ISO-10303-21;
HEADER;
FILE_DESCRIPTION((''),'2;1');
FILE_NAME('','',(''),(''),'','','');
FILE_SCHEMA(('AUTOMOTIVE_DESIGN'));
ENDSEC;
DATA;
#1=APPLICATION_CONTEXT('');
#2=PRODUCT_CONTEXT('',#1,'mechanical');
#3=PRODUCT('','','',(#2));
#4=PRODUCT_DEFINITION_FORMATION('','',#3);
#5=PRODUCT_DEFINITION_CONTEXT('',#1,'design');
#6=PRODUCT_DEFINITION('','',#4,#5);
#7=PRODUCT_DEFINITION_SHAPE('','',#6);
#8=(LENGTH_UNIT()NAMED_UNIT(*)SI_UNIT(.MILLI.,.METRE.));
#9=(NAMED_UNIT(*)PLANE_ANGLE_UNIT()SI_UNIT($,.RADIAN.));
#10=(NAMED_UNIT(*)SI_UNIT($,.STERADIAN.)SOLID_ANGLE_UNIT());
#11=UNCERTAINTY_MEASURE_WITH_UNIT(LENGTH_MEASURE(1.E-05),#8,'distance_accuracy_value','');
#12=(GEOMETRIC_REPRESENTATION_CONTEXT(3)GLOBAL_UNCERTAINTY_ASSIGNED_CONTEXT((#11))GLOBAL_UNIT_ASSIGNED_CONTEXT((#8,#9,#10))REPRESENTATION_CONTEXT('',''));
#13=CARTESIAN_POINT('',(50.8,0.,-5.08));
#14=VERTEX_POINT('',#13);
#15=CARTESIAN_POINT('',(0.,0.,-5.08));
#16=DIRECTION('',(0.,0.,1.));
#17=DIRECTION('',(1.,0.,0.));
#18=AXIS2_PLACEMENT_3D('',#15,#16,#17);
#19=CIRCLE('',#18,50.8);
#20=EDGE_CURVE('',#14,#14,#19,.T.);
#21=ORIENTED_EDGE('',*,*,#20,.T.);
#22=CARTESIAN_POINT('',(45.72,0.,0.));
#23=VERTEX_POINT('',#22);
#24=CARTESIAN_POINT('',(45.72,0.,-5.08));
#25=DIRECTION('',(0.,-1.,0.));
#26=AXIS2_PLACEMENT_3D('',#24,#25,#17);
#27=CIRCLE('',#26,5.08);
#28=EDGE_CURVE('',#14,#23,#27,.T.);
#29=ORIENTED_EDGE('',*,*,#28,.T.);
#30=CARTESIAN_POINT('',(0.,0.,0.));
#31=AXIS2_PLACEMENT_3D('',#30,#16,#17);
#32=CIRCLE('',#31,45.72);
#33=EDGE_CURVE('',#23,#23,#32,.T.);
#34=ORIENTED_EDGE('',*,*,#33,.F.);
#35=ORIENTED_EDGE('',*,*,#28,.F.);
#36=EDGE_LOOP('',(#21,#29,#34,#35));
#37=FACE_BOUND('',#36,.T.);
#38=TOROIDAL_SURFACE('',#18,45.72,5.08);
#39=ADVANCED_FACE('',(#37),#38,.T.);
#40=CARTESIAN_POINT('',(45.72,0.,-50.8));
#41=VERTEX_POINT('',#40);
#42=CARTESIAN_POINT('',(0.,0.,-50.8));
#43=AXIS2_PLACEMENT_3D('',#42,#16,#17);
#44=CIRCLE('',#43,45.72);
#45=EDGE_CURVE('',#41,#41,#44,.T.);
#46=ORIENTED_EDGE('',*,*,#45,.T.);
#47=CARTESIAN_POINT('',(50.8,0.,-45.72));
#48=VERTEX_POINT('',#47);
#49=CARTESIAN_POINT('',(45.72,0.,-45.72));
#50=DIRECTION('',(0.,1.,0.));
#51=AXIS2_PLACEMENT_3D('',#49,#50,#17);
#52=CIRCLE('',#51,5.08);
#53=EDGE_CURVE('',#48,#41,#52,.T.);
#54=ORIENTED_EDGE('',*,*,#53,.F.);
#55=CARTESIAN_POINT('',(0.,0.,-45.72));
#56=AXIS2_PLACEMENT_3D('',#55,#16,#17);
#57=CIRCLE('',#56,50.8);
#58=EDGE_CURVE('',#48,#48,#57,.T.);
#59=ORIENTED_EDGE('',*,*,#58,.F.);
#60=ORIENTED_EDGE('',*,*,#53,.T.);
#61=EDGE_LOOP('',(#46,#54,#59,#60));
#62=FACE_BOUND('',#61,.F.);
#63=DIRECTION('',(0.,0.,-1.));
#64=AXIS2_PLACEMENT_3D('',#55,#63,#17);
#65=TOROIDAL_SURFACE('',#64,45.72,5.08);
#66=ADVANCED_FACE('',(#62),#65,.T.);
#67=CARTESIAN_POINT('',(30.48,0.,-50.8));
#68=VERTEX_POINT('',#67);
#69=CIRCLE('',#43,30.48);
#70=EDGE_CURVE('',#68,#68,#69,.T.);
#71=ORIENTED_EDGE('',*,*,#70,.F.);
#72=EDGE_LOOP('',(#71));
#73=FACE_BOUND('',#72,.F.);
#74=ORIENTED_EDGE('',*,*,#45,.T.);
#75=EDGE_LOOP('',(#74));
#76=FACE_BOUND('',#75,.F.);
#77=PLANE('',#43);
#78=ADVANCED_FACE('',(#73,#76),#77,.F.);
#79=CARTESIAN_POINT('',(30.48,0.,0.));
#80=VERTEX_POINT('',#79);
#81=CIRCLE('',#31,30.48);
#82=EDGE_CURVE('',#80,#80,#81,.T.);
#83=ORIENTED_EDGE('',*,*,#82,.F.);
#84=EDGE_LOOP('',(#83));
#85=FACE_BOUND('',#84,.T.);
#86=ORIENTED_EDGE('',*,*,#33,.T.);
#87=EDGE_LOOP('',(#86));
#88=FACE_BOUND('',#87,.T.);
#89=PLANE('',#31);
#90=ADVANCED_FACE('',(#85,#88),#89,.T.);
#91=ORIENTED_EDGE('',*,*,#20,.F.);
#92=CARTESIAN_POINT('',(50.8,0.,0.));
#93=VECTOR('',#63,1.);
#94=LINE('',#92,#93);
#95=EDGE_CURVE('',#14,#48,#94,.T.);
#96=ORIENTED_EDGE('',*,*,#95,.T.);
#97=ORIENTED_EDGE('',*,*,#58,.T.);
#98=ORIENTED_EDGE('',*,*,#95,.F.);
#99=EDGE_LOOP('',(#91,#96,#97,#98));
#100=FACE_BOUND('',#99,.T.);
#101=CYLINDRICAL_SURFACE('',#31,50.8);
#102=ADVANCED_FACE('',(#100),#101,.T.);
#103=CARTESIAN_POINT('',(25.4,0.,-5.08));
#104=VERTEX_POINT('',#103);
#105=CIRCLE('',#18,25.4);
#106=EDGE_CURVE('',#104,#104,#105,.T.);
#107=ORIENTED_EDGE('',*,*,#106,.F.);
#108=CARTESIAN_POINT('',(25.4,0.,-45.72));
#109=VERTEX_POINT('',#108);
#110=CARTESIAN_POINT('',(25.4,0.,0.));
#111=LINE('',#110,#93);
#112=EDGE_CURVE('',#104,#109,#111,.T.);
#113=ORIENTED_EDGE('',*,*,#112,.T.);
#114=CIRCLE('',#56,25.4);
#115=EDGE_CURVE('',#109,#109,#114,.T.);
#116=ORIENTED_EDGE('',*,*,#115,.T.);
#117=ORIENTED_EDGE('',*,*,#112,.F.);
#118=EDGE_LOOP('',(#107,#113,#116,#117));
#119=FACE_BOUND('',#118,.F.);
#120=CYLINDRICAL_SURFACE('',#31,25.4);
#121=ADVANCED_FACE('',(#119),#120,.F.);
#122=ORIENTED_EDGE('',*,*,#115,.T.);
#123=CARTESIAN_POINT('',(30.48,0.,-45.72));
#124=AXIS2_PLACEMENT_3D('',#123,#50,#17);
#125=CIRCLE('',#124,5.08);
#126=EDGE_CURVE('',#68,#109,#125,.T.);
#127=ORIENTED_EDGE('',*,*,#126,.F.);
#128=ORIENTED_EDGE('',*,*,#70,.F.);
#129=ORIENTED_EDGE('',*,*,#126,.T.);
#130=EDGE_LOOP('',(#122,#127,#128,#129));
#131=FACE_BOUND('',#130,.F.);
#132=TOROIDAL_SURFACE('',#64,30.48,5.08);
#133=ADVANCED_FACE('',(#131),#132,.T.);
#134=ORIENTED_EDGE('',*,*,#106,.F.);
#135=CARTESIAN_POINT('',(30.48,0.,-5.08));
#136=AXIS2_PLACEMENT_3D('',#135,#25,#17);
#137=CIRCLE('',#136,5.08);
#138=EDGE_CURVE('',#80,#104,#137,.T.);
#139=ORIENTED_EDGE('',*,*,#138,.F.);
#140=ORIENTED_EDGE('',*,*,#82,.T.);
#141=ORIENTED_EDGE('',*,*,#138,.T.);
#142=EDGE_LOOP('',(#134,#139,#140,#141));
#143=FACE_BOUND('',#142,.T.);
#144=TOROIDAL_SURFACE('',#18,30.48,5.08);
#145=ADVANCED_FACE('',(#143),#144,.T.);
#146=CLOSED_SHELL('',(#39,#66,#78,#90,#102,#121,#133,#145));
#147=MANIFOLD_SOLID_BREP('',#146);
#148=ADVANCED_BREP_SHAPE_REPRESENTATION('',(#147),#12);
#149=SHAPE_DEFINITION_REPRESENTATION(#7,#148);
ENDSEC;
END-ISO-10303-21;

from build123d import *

# Parameters (mm, degrees)
F0_R     = 50.8
F1_DEPTH = 50.8
F2_R     = 25.4
F3_DEPTH = 50.8
F4_R     = 5.08
F5_R     = 5.08


with BuildPart() as f1:
    # F0 (on Top) → F1 (new body)
    with BuildSketch(Plane.XY):
        Circle(F0_R)
    extrude(amount=-F1_DEPTH)

    # F2 (on Top) → F3 (cut)
    with BuildSketch(Plane.XY):
        Circle(F2_R)
    extrude(amount=-F3_DEPTH, mode=Mode.SUBTRACT)

    # F4
    f4_edges = [f1.edges().sort_by_distance(p)[0] for p in [
        (-50.8, 0, 0),
        (-25.4, 0, 0),
    ]]
    fillet(f4_edges, radius=F4_R)

    # F5
    f5_edges = [f1.edges().sort_by_distance(p)[0] for p in [
        (-50.8, 0, -50.8),
        (-25.4, 0, -50.8),
    ]]
    fillet(f5_edges, radius=F5_R)


solid = f1.part
